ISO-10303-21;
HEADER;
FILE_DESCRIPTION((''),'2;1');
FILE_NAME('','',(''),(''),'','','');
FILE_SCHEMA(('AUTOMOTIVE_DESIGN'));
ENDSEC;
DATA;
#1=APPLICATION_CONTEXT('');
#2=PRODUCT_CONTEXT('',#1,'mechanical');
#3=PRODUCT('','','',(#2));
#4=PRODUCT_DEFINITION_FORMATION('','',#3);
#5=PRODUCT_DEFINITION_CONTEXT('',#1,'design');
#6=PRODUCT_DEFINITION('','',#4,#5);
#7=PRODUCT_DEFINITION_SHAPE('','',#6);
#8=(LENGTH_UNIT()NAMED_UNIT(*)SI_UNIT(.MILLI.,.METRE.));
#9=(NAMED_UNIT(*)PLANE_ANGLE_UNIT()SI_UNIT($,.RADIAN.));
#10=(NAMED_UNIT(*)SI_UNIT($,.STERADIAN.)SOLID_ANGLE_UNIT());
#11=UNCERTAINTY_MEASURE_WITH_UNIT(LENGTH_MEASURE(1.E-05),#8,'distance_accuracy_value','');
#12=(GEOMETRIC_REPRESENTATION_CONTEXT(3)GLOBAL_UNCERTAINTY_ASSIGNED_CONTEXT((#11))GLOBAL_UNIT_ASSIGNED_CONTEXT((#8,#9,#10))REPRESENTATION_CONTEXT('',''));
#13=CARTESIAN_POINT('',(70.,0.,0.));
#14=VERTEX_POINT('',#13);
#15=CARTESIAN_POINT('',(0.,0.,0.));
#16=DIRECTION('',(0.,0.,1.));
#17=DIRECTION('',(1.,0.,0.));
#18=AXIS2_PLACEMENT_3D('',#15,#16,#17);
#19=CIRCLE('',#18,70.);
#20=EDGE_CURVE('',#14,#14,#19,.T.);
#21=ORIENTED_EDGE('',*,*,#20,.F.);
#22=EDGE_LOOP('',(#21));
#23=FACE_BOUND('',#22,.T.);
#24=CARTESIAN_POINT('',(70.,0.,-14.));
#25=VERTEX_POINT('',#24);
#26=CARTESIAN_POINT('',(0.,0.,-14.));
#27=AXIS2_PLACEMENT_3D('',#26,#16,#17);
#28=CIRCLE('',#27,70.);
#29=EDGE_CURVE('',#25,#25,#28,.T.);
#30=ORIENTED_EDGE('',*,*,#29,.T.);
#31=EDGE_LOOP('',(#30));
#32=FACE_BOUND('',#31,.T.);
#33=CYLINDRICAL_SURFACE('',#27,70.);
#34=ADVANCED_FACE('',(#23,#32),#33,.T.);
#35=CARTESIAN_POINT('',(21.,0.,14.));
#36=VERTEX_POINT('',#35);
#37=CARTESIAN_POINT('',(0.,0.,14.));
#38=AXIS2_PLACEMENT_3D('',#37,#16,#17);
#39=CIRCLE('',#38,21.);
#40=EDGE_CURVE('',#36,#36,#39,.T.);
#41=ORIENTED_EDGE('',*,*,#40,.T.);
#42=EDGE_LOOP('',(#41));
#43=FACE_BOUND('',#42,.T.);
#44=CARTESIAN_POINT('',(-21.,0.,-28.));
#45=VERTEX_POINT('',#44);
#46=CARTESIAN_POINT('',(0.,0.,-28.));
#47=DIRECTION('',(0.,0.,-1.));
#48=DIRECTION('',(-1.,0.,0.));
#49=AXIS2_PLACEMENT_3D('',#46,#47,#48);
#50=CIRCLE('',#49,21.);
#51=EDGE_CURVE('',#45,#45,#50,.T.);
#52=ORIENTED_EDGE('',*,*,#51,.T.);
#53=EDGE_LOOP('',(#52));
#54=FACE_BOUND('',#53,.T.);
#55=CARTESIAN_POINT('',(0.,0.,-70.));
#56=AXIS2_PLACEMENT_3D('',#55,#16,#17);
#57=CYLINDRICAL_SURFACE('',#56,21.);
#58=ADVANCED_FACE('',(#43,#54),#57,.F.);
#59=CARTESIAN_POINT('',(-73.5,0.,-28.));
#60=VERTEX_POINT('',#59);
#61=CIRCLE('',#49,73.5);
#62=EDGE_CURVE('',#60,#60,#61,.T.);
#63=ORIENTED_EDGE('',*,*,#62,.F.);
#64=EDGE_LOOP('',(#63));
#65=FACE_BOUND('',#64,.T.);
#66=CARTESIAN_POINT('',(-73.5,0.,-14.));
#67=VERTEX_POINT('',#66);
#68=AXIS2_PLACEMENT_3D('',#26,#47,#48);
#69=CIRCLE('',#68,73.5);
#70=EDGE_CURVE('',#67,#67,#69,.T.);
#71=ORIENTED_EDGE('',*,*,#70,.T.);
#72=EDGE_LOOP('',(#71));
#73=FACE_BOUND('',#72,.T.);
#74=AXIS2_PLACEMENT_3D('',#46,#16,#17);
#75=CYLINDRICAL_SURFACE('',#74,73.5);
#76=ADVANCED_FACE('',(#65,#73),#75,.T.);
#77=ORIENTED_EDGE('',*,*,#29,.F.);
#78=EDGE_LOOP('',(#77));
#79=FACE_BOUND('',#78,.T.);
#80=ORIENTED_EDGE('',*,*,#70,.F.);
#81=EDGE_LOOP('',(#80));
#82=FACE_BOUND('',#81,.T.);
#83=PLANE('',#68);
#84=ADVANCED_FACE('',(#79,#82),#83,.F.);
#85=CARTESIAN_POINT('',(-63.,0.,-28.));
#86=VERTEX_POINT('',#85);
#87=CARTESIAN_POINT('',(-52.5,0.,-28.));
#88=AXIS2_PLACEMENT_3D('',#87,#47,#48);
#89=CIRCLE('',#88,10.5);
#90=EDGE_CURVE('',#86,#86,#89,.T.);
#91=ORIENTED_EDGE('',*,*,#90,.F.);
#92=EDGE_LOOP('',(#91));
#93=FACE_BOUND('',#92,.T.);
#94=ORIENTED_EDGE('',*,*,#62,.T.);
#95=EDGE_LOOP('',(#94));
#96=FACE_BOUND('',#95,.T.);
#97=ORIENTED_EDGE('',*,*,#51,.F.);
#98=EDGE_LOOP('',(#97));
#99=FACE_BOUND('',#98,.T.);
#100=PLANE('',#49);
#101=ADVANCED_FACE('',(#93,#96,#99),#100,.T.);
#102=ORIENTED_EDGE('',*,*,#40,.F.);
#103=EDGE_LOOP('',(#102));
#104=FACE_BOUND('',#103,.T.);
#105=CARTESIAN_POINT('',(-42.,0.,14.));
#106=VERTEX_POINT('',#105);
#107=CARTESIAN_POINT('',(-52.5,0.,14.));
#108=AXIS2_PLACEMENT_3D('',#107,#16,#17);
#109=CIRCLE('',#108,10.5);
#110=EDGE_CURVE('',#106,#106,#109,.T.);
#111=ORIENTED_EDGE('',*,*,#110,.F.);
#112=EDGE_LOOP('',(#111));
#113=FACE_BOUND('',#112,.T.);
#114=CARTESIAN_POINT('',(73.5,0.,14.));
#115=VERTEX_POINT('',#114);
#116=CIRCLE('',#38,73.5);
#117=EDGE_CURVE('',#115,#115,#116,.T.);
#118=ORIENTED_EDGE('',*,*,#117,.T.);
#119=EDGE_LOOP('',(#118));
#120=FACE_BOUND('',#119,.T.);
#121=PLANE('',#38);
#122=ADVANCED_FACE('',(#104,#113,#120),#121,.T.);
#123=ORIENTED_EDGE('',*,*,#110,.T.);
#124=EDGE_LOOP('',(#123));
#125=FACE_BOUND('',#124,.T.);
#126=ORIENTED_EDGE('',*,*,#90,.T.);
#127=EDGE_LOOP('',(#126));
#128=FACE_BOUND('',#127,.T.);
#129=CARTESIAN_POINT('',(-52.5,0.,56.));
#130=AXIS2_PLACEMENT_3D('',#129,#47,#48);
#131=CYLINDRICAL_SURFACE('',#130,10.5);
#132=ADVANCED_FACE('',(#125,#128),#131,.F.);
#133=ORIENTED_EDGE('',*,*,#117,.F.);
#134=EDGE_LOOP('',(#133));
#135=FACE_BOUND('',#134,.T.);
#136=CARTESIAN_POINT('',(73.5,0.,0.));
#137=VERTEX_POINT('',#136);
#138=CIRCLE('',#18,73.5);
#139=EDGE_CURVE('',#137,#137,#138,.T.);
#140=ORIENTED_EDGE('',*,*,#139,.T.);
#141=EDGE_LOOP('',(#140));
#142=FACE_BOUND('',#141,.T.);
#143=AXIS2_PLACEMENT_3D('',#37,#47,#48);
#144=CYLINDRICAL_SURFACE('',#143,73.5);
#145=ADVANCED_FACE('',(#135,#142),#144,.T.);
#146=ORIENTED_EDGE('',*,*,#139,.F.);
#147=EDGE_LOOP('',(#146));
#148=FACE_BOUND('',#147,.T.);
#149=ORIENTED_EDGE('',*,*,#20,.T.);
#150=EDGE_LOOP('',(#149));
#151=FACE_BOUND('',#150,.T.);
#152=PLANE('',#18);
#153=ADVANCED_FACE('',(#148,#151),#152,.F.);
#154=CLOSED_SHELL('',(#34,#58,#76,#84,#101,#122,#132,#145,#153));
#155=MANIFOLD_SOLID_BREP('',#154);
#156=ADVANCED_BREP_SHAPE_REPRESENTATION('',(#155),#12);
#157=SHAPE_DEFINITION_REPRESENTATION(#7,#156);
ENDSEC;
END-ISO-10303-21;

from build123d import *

# Parameters (mm, degrees)
CROQUIS2_R              = 73.5
SALIENTE_EXTRUIR1_DEPTH = 14
CROQUIS6_R              = 70
SALIENTE_EXTRUIR4_DEPTH = 14
CROQUIS8_R              = 73.5
SALIENTE_EXTRUIR5_DEPTH = 14
CROQUIS10_R             = 21
CORTAR_EXTRUIR2_DEPTH   = 84
CROQUIS11_R             = 10.5
CORTAR_EXTRUIR3_DEPTH   = 84


with BuildPart() as part:
    # Croquis2 → Saliente-Extruir1 (new body)
    with BuildSketch(Plane.XY):
        Circle(CROQUIS2_R)
    extrude(amount=SALIENTE_EXTRUIR1_DEPTH)

    # Croquis6 → Saliente-Extruir4 (add)
    with BuildSketch(Plane.XY):
        Circle(CROQUIS6_R)
    extrude(amount=-SALIENTE_EXTRUIR4_DEPTH)

    # Croquis8 → Saliente-Extruir5 (add)
    with BuildSketch(Plane(origin=(0, 0, -14), x_dir=(-1, 0, 0), z_dir=(0, 0, -1))):
        Circle(CROQUIS8_R)
    extrude(amount=SALIENTE_EXTRUIR5_DEPTH)

    # Croquis10 → Cortar-Extruir2 (cut)
    with BuildSketch(Plane.XY.offset(14)):
        Circle(CROQUIS10_R)
    extrude(amount=-CORTAR_EXTRUIR2_DEPTH, mode=Mode.SUBTRACT)

    # Croquis11 → Cortar-Extruir3 (cut)
    with BuildSketch(Plane(origin=(0, 0, -28), x_dir=(-1, 0, 0), z_dir=(0, 0, -1))):
        with Locations((52.5, 0)):
            Circle(CROQUIS11_R)
    extrude(amount=-CORTAR_EXTRUIR3_DEPTH, mode=Mode.SUBTRACT)


solid = part.part
